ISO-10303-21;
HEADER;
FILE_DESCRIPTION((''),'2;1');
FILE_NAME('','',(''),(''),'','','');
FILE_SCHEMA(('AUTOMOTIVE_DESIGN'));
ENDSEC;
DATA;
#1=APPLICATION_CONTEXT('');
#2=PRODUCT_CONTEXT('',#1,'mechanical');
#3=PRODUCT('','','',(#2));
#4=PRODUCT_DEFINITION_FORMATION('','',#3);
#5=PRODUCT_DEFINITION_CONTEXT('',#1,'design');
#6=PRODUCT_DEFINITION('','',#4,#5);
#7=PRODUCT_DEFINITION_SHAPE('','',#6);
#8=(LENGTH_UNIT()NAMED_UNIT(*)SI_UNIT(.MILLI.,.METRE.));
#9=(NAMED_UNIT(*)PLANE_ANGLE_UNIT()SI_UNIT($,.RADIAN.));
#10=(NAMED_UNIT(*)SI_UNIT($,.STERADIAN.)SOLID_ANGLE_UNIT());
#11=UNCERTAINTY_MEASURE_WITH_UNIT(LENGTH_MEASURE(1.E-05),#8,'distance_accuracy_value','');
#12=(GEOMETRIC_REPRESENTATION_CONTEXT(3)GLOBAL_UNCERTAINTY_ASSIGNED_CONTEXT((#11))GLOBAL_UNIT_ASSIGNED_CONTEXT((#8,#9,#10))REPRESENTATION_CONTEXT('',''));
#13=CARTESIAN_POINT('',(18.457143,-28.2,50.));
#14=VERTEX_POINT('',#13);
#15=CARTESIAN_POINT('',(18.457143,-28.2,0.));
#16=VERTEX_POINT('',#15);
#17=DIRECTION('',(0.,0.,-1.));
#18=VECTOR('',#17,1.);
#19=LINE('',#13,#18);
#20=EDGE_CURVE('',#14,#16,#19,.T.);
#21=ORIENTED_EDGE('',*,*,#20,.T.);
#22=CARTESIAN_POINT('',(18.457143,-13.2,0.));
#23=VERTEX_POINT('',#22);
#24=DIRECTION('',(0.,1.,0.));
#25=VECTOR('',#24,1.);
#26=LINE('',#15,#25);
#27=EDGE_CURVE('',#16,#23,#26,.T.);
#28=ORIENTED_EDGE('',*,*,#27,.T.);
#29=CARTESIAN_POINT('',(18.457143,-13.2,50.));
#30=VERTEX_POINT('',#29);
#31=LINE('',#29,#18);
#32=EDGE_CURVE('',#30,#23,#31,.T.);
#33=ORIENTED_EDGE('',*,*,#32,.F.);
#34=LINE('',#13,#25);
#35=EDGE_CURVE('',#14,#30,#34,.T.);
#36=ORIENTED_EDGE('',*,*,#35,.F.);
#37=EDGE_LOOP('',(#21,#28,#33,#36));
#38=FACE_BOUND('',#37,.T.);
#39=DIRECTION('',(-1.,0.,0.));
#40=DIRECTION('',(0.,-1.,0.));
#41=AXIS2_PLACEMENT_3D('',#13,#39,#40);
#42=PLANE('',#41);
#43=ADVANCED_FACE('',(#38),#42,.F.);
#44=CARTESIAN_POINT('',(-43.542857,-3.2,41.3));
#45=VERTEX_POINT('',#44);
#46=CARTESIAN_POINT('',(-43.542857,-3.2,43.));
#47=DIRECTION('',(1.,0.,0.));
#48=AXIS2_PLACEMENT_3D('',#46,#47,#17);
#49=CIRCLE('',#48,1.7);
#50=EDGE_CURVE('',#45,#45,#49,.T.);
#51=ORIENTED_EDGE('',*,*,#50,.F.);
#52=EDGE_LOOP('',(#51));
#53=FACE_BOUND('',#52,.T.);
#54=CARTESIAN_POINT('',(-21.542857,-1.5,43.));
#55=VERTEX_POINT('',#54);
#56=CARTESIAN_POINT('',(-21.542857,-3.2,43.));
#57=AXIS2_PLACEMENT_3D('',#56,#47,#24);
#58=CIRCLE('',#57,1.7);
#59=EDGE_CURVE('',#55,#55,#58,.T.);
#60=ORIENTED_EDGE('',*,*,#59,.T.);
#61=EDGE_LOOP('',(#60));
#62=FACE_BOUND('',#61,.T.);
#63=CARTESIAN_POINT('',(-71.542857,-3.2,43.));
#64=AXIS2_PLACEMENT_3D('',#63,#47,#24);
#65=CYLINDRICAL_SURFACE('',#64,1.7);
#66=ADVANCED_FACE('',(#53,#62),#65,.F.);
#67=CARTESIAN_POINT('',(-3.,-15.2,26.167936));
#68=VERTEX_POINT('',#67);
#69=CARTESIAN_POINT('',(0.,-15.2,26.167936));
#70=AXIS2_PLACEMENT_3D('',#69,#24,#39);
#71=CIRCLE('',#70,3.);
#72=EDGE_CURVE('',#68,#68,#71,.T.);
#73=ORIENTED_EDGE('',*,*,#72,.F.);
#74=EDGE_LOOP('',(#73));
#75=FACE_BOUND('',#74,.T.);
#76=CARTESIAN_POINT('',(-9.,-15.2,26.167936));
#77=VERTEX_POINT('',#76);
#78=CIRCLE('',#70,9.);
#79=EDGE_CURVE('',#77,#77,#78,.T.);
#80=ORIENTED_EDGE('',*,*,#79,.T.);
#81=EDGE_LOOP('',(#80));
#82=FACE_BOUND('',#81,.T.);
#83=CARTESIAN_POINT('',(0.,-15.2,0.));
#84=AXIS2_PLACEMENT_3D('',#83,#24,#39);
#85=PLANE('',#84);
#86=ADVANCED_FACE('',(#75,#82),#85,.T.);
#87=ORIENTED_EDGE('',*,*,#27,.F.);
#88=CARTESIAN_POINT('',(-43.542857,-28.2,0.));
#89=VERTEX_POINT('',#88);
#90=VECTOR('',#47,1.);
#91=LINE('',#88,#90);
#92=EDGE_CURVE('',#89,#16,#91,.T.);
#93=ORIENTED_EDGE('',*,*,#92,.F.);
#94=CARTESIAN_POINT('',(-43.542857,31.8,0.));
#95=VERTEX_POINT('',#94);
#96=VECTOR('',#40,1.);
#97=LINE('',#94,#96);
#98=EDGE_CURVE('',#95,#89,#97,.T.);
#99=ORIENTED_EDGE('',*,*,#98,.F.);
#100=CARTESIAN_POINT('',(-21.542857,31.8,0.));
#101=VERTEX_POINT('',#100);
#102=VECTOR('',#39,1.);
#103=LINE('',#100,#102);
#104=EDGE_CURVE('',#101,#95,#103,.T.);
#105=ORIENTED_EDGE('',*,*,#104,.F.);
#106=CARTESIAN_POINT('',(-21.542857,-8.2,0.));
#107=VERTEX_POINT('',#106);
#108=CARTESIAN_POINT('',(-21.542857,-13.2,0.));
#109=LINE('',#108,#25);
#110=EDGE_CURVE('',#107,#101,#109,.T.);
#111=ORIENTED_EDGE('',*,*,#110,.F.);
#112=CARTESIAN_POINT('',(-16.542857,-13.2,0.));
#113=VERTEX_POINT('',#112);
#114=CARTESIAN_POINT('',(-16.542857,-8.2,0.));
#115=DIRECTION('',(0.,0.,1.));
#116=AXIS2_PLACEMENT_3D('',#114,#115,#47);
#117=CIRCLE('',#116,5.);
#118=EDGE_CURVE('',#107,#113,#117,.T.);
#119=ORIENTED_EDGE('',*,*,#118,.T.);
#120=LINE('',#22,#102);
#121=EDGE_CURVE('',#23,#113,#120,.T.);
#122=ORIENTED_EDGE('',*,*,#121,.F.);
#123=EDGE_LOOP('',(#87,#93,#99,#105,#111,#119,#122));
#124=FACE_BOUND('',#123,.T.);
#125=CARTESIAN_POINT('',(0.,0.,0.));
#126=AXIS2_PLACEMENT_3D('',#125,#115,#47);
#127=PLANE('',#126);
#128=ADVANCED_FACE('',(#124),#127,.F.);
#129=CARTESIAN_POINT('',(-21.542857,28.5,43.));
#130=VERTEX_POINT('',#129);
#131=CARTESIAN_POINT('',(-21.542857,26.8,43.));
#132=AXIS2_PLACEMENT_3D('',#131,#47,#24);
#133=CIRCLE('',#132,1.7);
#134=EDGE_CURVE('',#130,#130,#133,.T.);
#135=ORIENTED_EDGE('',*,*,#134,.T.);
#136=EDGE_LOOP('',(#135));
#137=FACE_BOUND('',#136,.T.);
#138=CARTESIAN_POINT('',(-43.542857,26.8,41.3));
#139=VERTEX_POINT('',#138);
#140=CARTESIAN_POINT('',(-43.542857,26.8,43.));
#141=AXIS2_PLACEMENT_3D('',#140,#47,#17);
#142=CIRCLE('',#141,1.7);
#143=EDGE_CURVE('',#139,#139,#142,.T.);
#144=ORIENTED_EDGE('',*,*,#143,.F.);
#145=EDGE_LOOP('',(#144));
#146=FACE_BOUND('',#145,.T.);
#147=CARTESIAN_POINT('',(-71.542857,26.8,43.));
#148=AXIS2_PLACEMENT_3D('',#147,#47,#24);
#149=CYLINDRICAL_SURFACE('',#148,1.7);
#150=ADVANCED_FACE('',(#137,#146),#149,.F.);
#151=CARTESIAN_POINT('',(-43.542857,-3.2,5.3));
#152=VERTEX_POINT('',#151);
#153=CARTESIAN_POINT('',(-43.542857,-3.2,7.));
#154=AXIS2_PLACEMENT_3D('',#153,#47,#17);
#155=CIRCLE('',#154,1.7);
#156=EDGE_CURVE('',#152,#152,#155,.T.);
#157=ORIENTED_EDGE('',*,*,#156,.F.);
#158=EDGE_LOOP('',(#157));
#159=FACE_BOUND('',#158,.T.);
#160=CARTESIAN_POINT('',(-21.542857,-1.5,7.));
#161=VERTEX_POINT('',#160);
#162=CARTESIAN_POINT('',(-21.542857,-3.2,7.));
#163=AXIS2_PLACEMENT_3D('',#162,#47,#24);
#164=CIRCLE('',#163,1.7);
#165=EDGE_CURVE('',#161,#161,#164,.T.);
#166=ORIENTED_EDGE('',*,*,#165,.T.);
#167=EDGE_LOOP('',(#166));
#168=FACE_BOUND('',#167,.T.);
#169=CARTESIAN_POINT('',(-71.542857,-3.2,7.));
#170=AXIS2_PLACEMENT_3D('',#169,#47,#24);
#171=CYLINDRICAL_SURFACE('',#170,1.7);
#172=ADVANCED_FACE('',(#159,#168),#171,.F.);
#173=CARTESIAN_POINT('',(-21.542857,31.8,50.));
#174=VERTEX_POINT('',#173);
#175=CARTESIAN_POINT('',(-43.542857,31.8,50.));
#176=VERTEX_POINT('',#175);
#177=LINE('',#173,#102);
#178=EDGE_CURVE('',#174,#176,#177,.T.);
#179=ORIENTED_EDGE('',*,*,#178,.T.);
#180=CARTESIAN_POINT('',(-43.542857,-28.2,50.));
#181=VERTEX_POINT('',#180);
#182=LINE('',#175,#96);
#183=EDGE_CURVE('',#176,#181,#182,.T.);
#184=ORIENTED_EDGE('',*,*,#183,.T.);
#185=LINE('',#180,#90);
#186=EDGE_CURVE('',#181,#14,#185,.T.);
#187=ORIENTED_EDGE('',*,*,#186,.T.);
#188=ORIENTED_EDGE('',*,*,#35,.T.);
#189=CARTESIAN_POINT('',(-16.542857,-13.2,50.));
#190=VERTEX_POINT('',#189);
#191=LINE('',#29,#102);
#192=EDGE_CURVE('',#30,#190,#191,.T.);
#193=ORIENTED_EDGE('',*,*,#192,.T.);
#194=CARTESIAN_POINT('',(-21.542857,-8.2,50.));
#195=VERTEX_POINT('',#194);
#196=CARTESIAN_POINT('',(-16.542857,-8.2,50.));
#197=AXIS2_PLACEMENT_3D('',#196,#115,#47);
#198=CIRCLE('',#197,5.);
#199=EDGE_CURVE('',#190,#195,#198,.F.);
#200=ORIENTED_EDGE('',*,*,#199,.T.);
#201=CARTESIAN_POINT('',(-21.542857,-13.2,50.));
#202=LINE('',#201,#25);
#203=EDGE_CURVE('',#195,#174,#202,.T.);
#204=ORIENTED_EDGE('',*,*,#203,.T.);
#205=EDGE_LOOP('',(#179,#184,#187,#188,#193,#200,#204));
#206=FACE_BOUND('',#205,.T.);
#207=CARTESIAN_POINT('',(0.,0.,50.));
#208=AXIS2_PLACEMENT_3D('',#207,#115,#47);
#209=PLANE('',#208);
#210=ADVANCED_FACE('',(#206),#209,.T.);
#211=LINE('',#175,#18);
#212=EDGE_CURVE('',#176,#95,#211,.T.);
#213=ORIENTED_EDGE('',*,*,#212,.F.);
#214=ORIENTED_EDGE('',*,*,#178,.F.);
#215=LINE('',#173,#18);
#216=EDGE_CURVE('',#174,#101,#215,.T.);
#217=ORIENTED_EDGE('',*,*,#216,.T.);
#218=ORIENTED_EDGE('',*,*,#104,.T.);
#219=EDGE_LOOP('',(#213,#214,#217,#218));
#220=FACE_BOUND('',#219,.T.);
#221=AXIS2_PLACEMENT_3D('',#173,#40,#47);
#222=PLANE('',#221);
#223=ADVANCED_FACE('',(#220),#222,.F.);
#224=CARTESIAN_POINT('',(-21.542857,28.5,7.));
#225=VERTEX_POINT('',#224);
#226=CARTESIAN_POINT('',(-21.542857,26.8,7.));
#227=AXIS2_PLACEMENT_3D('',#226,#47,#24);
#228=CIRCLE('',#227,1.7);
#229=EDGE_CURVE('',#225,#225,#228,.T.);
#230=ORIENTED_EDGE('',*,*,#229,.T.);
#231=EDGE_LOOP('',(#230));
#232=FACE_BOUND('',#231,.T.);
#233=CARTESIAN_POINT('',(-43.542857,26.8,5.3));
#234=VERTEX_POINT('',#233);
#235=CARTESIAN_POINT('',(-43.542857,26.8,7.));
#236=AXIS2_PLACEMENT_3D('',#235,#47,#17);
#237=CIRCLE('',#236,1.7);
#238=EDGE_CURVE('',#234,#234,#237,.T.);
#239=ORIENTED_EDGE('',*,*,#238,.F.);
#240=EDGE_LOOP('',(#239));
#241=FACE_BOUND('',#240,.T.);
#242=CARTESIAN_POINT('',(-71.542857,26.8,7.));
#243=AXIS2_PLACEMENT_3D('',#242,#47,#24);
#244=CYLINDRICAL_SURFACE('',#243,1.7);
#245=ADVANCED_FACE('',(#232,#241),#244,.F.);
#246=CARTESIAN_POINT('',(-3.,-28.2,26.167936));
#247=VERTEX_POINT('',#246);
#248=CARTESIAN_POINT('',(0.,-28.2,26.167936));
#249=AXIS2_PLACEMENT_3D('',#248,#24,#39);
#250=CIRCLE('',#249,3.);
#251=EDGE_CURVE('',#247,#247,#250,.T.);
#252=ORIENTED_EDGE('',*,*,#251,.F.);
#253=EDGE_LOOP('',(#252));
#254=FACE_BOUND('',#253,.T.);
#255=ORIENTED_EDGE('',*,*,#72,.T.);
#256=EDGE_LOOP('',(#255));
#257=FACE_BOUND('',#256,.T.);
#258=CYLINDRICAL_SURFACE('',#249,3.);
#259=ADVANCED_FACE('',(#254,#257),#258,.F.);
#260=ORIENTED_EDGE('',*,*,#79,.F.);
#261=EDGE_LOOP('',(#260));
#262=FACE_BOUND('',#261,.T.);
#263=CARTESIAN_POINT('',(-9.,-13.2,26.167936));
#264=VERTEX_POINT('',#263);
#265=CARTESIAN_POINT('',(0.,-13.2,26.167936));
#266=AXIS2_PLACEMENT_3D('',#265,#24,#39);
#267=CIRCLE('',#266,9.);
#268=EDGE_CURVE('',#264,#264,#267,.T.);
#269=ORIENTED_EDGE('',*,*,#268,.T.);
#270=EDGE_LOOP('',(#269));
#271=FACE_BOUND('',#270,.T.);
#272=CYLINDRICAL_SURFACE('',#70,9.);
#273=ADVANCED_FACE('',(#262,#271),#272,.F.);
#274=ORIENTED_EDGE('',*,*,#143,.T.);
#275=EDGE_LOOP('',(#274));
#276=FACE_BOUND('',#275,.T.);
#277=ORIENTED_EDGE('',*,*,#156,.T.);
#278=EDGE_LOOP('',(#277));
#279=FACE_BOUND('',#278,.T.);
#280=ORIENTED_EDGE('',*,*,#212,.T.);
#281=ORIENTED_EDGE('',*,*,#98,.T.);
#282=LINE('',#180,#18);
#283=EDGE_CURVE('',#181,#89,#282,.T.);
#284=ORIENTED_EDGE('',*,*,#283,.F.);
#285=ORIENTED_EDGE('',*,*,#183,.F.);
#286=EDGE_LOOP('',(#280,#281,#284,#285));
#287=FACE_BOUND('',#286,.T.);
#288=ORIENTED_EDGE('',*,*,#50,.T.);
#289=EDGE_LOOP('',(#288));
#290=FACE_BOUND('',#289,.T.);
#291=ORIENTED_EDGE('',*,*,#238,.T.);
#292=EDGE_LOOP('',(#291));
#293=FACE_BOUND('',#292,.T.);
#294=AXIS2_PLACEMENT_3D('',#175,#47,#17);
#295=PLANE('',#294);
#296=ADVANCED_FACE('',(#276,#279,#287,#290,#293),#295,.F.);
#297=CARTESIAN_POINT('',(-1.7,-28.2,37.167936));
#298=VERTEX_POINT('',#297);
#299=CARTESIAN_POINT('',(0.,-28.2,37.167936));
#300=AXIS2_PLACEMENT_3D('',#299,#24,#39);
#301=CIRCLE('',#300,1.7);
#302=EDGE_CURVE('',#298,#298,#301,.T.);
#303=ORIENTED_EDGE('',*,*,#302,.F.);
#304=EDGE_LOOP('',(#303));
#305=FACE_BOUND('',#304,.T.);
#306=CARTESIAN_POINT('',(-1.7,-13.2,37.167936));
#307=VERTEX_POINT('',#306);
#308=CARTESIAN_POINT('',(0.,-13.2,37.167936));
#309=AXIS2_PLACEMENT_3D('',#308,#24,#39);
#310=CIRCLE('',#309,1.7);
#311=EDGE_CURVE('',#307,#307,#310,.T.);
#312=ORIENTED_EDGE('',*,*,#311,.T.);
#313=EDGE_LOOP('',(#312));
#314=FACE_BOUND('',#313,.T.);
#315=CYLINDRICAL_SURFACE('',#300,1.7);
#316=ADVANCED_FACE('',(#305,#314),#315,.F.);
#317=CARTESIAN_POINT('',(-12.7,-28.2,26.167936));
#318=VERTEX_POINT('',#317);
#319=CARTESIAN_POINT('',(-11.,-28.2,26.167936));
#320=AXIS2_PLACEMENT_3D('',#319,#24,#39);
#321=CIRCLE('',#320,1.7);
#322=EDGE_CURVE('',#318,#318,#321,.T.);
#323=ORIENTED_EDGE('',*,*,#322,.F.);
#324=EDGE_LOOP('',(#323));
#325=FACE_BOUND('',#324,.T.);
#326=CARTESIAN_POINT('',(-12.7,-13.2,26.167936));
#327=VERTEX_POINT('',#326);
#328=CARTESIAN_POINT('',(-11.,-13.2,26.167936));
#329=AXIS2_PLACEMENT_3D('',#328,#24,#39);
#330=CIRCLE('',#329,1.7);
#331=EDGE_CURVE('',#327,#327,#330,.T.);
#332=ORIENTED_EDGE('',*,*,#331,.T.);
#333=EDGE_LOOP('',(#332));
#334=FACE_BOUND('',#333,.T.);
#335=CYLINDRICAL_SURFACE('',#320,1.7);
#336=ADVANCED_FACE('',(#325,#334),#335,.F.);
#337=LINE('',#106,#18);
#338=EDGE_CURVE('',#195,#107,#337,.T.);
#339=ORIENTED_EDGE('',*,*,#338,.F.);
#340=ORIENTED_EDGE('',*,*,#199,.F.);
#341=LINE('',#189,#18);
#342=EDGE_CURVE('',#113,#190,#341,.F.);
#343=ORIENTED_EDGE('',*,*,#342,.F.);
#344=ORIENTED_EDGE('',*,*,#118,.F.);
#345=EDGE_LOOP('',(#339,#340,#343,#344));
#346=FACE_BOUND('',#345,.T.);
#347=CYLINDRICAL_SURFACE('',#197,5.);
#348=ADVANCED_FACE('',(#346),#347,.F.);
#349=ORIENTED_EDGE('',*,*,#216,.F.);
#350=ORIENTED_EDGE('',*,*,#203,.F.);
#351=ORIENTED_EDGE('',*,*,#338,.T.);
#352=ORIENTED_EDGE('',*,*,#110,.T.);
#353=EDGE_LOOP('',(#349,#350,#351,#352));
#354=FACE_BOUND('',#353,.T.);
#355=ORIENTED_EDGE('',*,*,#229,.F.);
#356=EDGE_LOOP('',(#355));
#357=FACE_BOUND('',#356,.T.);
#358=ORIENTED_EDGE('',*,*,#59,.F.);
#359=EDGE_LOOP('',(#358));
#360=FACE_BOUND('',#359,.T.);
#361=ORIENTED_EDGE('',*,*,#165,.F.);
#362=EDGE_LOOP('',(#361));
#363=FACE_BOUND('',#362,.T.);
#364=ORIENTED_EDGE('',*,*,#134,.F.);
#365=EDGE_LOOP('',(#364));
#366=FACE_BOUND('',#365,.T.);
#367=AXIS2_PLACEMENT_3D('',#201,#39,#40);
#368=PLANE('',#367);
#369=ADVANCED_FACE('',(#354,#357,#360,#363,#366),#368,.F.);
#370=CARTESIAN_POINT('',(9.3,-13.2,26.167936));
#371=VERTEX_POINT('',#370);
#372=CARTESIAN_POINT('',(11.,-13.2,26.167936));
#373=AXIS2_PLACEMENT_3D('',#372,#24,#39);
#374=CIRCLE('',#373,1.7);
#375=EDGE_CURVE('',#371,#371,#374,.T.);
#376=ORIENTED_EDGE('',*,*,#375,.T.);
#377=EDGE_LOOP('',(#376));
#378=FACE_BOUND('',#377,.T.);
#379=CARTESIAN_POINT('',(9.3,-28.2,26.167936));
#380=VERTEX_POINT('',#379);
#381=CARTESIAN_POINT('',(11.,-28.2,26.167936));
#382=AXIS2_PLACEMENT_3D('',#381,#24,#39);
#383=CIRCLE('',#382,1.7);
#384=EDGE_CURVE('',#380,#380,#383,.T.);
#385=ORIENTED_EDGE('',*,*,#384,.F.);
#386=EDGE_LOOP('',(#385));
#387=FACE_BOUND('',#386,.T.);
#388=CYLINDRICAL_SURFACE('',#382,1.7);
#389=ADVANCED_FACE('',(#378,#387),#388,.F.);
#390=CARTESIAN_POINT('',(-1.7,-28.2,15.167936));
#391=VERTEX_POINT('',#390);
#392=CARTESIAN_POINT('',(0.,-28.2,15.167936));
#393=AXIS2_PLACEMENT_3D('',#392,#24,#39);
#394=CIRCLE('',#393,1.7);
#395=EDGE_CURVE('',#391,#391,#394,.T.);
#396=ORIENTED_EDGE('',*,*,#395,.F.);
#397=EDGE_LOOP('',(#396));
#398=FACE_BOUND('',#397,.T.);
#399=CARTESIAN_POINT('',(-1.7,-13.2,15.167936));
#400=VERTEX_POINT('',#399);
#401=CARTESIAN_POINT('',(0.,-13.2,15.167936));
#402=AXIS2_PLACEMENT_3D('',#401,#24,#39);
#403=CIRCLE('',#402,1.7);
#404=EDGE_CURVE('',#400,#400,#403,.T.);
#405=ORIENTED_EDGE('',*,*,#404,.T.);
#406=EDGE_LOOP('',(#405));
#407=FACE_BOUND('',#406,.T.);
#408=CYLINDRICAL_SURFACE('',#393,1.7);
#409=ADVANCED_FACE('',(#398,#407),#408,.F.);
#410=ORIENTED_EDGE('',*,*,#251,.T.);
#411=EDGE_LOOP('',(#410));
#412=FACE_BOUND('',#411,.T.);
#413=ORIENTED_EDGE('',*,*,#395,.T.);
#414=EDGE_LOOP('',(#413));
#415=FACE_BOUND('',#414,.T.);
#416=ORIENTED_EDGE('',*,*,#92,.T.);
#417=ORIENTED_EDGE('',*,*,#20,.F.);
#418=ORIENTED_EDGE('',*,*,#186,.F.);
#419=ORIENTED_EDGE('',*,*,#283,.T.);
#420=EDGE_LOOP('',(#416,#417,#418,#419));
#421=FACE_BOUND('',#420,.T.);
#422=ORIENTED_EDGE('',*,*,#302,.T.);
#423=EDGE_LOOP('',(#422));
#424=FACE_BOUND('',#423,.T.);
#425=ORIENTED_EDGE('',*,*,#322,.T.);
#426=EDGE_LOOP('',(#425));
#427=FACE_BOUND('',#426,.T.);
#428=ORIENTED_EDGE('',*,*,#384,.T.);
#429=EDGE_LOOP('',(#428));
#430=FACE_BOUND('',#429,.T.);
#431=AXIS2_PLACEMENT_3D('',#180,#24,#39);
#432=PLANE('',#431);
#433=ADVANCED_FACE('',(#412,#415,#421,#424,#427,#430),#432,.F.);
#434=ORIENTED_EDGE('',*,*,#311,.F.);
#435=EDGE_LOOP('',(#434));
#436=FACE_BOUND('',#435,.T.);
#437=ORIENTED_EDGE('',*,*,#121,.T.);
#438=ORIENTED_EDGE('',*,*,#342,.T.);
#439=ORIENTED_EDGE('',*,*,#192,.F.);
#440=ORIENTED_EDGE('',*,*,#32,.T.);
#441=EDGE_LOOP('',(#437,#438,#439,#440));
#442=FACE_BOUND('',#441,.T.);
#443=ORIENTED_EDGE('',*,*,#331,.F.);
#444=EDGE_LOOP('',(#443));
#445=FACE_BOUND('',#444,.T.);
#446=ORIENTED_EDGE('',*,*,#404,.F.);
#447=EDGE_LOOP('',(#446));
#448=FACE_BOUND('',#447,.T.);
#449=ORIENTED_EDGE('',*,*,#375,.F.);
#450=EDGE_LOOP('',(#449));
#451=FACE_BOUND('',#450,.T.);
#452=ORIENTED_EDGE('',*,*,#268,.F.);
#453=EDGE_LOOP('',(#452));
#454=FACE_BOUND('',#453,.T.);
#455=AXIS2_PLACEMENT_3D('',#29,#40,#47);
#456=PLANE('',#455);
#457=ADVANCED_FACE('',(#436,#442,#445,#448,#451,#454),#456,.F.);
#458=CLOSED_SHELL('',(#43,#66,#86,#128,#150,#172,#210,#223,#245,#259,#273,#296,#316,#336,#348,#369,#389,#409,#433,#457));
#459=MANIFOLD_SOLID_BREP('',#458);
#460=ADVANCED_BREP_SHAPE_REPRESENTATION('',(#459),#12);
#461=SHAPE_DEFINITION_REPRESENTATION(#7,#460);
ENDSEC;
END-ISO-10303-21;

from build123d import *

# Parameters (mm, degrees)
BOSS_EXTRUDE1_DEPTH = 50
FILLET1_R           = 5
SKETCH2_R           = 1.7
CUT_EXTRUDE1_DEPTH  = 50
SKETCH3_R           = 9
CUT_EXTRUDE4_DEPTH  = 2
SKETCH4_R           = 3
CUT_EXTRUDE5_DEPTH  = 15
SKETCH5_R           = 1.7
CUT_EXTRUDE6_DEPTH  = 81.131020262


with BuildPart() as part:
    # Sketch1 → Boss-Extrude1 (new body)
    with BuildSketch(Plane.XY):
        Polygon((-43.542857143, 31.8), (-43.542857143, -28.2), (18.457142857, -28.2), (18.457142857, -13.2), (-21.542857143, -13.2), (-21.542857143, 31.8), align=None)
    extrude(amount=BOSS_EXTRUDE1_DEPTH)

    # Fillet1
    fillet1_edges = [part.edges().sort_by_distance(p)[0] for p in [
        (-21.542857143, -13.2, 25),
    ]]
    fillet(fillet1_edges, radius=FILLET1_R)

    # Sketch2 → Cut-Extrude1 (cut)
    with BuildSketch(Plane(origin=(-21.542857143, 0, 0), x_dir=(0, 0, -1), z_dir=(1, 0, 0))):
        with Locations(Location((-43, 26.8, 0), (0, 0, 90))):
            Circle(SKETCH2_R)
        with Locations(Location((-7, 26.8, 0), (0, 0, 90))):
            Circle(SKETCH2_R)
        with Locations(Location((-7, -3.2, 0), (0, 0, 90))):
            Circle(SKETCH2_R)
        with Locations(Location((-43, -3.2, 0), (0, 0, 90))):
            Circle(SKETCH2_R)
    extrude(amount=-CUT_EXTRUDE1_DEPTH, mode=Mode.SUBTRACT)

    # Sketch3 → Cut-Extrude4 (cut)
    with BuildSketch(Plane(origin=(0, -13.2, 0), x_dir=(1, 0, 0), z_dir=(0, 1, 0))):
        with Locations(Location((0, -26.167935948, 0), (0, 0, 180))):
            Circle(SKETCH3_R)
    extrude(amount=-CUT_EXTRUDE4_DEPTH, mode=Mode.SUBTRACT)

    # Sketch4 → Cut-Extrude5 (cut)
    with BuildSketch(Plane(origin=(0, -13.2, 0), x_dir=(1, 0, 0), z_dir=(0, 1, 0))):
        with Locations(Location((0, -26.167935948, 0), (0, 0, 180))):
            Circle(SKETCH4_R)
    extrude(amount=-CUT_EXTRUDE5_DEPTH, mode=Mode.SUBTRACT)

    # Sketch5 → Cut-Extrude6 (cut, through all)
    with BuildSketch(Plane(origin=(0, -13.2, 0), x_dir=(1, 0, 0), z_dir=(0, 1, 0))):
        with Locations(Location((-11, -26.167935948, 0), (0, 0, 180))):
            Circle(SKETCH5_R)
        with Locations(Location((0, -15.167935948, 0), (0, 0, 180))):
            Circle(SKETCH5_R)
        with Locations(Location((11, -26.167935948, 0), (0, 0, 180))):
            Circle(SKETCH5_R)
        with Locations(Location((0, -37.167935948, 0), (0, 0, 180))):
            Circle(SKETCH5_R)
    extrude(amount=-CUT_EXTRUDE6_DEPTH, mode=Mode.SUBTRACT)


solid = part.part
